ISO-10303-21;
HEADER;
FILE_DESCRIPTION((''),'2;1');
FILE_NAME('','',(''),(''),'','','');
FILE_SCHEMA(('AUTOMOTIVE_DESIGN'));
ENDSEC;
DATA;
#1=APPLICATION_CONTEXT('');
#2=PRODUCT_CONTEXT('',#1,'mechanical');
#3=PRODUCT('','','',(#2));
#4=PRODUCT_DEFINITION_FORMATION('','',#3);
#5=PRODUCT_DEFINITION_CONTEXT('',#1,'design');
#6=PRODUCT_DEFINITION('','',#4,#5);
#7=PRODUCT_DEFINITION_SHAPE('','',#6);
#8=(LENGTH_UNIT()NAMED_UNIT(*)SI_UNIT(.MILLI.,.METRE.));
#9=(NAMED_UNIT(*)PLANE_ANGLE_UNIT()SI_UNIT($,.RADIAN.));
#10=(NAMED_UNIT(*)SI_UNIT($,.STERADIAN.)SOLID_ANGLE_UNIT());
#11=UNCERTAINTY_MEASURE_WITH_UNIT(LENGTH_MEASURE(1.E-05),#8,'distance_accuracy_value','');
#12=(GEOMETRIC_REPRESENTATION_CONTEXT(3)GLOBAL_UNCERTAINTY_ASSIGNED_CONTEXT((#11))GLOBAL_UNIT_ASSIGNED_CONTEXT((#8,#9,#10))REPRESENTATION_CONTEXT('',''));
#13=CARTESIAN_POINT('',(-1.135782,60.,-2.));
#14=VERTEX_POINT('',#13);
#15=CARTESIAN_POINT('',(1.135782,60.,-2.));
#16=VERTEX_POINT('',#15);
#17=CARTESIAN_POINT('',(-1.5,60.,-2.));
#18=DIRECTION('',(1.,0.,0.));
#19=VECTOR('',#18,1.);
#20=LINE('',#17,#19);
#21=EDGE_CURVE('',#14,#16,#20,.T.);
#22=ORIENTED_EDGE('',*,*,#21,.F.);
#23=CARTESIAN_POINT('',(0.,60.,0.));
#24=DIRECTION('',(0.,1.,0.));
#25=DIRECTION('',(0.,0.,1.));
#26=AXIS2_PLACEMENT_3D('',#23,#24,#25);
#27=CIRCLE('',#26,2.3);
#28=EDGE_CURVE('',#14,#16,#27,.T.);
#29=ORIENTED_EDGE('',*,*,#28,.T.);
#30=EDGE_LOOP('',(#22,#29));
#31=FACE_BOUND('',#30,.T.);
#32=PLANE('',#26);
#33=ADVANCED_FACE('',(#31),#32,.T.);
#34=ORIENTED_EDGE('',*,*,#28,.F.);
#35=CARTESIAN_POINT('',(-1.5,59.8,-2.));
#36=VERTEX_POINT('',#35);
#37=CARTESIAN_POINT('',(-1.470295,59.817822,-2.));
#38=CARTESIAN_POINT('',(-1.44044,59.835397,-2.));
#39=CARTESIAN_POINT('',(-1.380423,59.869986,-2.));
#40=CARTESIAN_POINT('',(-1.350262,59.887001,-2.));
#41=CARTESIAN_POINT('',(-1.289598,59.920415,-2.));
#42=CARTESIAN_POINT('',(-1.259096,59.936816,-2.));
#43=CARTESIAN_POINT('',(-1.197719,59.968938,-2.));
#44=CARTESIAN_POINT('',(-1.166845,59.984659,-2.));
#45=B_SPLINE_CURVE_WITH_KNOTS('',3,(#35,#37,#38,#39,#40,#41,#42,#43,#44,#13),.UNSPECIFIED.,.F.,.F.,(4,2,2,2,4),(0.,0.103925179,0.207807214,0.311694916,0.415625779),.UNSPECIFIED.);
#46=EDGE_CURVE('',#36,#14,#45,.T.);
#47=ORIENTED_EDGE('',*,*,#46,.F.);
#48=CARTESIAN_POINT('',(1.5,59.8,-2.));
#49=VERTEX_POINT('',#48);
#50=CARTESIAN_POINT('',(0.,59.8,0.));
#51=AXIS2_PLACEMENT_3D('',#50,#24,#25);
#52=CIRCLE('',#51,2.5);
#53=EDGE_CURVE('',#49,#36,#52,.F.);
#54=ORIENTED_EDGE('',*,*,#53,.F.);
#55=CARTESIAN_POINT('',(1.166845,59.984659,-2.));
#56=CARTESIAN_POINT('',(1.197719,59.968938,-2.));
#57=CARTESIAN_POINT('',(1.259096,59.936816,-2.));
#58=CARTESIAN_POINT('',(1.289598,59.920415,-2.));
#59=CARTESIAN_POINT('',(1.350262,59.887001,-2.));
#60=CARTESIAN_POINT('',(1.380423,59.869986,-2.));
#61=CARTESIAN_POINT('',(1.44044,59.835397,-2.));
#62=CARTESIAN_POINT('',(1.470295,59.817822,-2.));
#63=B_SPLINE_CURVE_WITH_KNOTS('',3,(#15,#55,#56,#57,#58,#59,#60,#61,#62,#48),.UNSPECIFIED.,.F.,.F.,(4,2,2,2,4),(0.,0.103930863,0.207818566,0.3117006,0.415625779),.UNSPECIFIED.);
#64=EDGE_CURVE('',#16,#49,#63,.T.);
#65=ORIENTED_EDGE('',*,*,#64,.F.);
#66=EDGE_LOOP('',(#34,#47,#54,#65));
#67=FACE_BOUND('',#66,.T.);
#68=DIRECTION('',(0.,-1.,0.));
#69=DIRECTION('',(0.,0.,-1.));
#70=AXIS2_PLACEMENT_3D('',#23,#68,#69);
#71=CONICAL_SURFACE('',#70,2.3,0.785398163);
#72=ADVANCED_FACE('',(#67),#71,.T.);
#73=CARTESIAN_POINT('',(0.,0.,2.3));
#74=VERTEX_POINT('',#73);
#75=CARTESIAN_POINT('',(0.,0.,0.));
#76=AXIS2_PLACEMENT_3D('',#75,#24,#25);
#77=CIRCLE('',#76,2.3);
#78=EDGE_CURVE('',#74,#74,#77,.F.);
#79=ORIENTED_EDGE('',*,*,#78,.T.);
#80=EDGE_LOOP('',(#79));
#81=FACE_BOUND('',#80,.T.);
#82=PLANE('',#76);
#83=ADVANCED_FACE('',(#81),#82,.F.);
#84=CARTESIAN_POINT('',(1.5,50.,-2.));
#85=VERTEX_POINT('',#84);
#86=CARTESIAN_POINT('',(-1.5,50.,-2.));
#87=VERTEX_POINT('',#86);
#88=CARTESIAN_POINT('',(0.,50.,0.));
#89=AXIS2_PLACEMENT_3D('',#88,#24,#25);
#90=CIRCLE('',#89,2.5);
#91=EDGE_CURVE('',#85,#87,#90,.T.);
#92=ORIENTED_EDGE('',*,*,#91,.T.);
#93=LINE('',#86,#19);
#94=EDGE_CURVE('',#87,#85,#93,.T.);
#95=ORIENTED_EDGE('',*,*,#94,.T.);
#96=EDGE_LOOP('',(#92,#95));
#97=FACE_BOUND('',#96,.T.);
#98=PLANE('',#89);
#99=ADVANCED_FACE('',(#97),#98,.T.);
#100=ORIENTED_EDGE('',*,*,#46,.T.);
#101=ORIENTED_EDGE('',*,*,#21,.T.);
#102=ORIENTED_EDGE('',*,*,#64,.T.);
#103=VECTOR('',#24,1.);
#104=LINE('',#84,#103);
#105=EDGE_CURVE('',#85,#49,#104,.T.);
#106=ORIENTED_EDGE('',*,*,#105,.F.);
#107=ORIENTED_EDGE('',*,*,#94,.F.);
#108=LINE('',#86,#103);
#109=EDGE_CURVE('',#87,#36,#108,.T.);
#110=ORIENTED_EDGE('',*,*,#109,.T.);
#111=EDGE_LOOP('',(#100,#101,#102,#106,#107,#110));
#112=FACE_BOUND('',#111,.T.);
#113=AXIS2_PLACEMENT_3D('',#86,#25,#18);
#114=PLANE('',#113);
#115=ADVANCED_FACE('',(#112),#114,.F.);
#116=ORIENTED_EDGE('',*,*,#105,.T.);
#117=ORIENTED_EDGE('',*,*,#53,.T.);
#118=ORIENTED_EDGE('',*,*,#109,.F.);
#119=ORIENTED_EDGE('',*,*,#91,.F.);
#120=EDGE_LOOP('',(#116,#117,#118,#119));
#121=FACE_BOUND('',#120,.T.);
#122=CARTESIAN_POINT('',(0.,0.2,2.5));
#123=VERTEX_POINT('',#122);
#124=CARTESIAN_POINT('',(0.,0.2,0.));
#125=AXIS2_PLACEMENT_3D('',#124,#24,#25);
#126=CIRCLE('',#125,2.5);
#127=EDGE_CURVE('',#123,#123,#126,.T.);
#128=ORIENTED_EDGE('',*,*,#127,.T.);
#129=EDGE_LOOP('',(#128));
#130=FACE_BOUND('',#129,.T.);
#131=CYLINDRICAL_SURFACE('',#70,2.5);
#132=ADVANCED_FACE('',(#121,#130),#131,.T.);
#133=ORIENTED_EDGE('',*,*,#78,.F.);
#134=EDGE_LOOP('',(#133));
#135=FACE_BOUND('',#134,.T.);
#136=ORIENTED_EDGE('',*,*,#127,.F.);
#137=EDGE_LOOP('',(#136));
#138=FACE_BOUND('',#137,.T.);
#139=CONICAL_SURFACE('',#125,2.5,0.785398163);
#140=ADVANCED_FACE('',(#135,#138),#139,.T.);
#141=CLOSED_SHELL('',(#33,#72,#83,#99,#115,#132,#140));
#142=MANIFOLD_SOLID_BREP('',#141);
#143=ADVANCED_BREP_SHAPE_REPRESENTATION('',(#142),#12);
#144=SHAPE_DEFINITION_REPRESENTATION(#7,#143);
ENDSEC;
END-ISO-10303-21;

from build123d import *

# Parameters (mm, degrees)
CROQUIS1_R              = 2.5
SALIENTE_EXTRUIR1_DEPTH = 60
CORTAR_EXTRUIR1_START   = -10
CORTAR_EXTRUIR1_DEPTH   = 10
CHAFL_N1_SIZE           = 0.2


with BuildPart() as part:
    # Croquis1 → Saliente-Extruir1 (new body)
    with BuildSketch(Plane(origin=(0, 0, 0), x_dir=(1, 0, 0), z_dir=(0, 1, 0))):
        with Locations(Location((0, 0, 0), (0, 0, 270))):
            Circle(CROQUIS1_R)
    extrude(amount=SALIENTE_EXTRUIR1_DEPTH)

    # Croquis2 → Cortar-Extruir1 (cut)
    with BuildSketch(Plane(origin=(0, 60, 0), x_dir=(1, 0, 0), z_dir=(0, 1, 0)).offset(CORTAR_EXTRUIR1_START)):
        with BuildLine():
            Line((-1.5, 2), (1.5, 2))
            ThreePointArc((1.5, 2), (0, 2.5), (-1.5, 2))
        make_face()
    extrude(amount=CORTAR_EXTRUIR1_DEPTH, mode=Mode.SUBTRACT)

    # Chaflán1
    chafl_n1_edges = [part.edges().sort_by_distance(p)[0] for p in [
        (0, 0, -2.5),
        (-2.371708245, 60, 0.790569415),
    ]]
    chamfer(chafl_n1_edges, length=CHAFL_N1_SIZE)


solid = part.part
